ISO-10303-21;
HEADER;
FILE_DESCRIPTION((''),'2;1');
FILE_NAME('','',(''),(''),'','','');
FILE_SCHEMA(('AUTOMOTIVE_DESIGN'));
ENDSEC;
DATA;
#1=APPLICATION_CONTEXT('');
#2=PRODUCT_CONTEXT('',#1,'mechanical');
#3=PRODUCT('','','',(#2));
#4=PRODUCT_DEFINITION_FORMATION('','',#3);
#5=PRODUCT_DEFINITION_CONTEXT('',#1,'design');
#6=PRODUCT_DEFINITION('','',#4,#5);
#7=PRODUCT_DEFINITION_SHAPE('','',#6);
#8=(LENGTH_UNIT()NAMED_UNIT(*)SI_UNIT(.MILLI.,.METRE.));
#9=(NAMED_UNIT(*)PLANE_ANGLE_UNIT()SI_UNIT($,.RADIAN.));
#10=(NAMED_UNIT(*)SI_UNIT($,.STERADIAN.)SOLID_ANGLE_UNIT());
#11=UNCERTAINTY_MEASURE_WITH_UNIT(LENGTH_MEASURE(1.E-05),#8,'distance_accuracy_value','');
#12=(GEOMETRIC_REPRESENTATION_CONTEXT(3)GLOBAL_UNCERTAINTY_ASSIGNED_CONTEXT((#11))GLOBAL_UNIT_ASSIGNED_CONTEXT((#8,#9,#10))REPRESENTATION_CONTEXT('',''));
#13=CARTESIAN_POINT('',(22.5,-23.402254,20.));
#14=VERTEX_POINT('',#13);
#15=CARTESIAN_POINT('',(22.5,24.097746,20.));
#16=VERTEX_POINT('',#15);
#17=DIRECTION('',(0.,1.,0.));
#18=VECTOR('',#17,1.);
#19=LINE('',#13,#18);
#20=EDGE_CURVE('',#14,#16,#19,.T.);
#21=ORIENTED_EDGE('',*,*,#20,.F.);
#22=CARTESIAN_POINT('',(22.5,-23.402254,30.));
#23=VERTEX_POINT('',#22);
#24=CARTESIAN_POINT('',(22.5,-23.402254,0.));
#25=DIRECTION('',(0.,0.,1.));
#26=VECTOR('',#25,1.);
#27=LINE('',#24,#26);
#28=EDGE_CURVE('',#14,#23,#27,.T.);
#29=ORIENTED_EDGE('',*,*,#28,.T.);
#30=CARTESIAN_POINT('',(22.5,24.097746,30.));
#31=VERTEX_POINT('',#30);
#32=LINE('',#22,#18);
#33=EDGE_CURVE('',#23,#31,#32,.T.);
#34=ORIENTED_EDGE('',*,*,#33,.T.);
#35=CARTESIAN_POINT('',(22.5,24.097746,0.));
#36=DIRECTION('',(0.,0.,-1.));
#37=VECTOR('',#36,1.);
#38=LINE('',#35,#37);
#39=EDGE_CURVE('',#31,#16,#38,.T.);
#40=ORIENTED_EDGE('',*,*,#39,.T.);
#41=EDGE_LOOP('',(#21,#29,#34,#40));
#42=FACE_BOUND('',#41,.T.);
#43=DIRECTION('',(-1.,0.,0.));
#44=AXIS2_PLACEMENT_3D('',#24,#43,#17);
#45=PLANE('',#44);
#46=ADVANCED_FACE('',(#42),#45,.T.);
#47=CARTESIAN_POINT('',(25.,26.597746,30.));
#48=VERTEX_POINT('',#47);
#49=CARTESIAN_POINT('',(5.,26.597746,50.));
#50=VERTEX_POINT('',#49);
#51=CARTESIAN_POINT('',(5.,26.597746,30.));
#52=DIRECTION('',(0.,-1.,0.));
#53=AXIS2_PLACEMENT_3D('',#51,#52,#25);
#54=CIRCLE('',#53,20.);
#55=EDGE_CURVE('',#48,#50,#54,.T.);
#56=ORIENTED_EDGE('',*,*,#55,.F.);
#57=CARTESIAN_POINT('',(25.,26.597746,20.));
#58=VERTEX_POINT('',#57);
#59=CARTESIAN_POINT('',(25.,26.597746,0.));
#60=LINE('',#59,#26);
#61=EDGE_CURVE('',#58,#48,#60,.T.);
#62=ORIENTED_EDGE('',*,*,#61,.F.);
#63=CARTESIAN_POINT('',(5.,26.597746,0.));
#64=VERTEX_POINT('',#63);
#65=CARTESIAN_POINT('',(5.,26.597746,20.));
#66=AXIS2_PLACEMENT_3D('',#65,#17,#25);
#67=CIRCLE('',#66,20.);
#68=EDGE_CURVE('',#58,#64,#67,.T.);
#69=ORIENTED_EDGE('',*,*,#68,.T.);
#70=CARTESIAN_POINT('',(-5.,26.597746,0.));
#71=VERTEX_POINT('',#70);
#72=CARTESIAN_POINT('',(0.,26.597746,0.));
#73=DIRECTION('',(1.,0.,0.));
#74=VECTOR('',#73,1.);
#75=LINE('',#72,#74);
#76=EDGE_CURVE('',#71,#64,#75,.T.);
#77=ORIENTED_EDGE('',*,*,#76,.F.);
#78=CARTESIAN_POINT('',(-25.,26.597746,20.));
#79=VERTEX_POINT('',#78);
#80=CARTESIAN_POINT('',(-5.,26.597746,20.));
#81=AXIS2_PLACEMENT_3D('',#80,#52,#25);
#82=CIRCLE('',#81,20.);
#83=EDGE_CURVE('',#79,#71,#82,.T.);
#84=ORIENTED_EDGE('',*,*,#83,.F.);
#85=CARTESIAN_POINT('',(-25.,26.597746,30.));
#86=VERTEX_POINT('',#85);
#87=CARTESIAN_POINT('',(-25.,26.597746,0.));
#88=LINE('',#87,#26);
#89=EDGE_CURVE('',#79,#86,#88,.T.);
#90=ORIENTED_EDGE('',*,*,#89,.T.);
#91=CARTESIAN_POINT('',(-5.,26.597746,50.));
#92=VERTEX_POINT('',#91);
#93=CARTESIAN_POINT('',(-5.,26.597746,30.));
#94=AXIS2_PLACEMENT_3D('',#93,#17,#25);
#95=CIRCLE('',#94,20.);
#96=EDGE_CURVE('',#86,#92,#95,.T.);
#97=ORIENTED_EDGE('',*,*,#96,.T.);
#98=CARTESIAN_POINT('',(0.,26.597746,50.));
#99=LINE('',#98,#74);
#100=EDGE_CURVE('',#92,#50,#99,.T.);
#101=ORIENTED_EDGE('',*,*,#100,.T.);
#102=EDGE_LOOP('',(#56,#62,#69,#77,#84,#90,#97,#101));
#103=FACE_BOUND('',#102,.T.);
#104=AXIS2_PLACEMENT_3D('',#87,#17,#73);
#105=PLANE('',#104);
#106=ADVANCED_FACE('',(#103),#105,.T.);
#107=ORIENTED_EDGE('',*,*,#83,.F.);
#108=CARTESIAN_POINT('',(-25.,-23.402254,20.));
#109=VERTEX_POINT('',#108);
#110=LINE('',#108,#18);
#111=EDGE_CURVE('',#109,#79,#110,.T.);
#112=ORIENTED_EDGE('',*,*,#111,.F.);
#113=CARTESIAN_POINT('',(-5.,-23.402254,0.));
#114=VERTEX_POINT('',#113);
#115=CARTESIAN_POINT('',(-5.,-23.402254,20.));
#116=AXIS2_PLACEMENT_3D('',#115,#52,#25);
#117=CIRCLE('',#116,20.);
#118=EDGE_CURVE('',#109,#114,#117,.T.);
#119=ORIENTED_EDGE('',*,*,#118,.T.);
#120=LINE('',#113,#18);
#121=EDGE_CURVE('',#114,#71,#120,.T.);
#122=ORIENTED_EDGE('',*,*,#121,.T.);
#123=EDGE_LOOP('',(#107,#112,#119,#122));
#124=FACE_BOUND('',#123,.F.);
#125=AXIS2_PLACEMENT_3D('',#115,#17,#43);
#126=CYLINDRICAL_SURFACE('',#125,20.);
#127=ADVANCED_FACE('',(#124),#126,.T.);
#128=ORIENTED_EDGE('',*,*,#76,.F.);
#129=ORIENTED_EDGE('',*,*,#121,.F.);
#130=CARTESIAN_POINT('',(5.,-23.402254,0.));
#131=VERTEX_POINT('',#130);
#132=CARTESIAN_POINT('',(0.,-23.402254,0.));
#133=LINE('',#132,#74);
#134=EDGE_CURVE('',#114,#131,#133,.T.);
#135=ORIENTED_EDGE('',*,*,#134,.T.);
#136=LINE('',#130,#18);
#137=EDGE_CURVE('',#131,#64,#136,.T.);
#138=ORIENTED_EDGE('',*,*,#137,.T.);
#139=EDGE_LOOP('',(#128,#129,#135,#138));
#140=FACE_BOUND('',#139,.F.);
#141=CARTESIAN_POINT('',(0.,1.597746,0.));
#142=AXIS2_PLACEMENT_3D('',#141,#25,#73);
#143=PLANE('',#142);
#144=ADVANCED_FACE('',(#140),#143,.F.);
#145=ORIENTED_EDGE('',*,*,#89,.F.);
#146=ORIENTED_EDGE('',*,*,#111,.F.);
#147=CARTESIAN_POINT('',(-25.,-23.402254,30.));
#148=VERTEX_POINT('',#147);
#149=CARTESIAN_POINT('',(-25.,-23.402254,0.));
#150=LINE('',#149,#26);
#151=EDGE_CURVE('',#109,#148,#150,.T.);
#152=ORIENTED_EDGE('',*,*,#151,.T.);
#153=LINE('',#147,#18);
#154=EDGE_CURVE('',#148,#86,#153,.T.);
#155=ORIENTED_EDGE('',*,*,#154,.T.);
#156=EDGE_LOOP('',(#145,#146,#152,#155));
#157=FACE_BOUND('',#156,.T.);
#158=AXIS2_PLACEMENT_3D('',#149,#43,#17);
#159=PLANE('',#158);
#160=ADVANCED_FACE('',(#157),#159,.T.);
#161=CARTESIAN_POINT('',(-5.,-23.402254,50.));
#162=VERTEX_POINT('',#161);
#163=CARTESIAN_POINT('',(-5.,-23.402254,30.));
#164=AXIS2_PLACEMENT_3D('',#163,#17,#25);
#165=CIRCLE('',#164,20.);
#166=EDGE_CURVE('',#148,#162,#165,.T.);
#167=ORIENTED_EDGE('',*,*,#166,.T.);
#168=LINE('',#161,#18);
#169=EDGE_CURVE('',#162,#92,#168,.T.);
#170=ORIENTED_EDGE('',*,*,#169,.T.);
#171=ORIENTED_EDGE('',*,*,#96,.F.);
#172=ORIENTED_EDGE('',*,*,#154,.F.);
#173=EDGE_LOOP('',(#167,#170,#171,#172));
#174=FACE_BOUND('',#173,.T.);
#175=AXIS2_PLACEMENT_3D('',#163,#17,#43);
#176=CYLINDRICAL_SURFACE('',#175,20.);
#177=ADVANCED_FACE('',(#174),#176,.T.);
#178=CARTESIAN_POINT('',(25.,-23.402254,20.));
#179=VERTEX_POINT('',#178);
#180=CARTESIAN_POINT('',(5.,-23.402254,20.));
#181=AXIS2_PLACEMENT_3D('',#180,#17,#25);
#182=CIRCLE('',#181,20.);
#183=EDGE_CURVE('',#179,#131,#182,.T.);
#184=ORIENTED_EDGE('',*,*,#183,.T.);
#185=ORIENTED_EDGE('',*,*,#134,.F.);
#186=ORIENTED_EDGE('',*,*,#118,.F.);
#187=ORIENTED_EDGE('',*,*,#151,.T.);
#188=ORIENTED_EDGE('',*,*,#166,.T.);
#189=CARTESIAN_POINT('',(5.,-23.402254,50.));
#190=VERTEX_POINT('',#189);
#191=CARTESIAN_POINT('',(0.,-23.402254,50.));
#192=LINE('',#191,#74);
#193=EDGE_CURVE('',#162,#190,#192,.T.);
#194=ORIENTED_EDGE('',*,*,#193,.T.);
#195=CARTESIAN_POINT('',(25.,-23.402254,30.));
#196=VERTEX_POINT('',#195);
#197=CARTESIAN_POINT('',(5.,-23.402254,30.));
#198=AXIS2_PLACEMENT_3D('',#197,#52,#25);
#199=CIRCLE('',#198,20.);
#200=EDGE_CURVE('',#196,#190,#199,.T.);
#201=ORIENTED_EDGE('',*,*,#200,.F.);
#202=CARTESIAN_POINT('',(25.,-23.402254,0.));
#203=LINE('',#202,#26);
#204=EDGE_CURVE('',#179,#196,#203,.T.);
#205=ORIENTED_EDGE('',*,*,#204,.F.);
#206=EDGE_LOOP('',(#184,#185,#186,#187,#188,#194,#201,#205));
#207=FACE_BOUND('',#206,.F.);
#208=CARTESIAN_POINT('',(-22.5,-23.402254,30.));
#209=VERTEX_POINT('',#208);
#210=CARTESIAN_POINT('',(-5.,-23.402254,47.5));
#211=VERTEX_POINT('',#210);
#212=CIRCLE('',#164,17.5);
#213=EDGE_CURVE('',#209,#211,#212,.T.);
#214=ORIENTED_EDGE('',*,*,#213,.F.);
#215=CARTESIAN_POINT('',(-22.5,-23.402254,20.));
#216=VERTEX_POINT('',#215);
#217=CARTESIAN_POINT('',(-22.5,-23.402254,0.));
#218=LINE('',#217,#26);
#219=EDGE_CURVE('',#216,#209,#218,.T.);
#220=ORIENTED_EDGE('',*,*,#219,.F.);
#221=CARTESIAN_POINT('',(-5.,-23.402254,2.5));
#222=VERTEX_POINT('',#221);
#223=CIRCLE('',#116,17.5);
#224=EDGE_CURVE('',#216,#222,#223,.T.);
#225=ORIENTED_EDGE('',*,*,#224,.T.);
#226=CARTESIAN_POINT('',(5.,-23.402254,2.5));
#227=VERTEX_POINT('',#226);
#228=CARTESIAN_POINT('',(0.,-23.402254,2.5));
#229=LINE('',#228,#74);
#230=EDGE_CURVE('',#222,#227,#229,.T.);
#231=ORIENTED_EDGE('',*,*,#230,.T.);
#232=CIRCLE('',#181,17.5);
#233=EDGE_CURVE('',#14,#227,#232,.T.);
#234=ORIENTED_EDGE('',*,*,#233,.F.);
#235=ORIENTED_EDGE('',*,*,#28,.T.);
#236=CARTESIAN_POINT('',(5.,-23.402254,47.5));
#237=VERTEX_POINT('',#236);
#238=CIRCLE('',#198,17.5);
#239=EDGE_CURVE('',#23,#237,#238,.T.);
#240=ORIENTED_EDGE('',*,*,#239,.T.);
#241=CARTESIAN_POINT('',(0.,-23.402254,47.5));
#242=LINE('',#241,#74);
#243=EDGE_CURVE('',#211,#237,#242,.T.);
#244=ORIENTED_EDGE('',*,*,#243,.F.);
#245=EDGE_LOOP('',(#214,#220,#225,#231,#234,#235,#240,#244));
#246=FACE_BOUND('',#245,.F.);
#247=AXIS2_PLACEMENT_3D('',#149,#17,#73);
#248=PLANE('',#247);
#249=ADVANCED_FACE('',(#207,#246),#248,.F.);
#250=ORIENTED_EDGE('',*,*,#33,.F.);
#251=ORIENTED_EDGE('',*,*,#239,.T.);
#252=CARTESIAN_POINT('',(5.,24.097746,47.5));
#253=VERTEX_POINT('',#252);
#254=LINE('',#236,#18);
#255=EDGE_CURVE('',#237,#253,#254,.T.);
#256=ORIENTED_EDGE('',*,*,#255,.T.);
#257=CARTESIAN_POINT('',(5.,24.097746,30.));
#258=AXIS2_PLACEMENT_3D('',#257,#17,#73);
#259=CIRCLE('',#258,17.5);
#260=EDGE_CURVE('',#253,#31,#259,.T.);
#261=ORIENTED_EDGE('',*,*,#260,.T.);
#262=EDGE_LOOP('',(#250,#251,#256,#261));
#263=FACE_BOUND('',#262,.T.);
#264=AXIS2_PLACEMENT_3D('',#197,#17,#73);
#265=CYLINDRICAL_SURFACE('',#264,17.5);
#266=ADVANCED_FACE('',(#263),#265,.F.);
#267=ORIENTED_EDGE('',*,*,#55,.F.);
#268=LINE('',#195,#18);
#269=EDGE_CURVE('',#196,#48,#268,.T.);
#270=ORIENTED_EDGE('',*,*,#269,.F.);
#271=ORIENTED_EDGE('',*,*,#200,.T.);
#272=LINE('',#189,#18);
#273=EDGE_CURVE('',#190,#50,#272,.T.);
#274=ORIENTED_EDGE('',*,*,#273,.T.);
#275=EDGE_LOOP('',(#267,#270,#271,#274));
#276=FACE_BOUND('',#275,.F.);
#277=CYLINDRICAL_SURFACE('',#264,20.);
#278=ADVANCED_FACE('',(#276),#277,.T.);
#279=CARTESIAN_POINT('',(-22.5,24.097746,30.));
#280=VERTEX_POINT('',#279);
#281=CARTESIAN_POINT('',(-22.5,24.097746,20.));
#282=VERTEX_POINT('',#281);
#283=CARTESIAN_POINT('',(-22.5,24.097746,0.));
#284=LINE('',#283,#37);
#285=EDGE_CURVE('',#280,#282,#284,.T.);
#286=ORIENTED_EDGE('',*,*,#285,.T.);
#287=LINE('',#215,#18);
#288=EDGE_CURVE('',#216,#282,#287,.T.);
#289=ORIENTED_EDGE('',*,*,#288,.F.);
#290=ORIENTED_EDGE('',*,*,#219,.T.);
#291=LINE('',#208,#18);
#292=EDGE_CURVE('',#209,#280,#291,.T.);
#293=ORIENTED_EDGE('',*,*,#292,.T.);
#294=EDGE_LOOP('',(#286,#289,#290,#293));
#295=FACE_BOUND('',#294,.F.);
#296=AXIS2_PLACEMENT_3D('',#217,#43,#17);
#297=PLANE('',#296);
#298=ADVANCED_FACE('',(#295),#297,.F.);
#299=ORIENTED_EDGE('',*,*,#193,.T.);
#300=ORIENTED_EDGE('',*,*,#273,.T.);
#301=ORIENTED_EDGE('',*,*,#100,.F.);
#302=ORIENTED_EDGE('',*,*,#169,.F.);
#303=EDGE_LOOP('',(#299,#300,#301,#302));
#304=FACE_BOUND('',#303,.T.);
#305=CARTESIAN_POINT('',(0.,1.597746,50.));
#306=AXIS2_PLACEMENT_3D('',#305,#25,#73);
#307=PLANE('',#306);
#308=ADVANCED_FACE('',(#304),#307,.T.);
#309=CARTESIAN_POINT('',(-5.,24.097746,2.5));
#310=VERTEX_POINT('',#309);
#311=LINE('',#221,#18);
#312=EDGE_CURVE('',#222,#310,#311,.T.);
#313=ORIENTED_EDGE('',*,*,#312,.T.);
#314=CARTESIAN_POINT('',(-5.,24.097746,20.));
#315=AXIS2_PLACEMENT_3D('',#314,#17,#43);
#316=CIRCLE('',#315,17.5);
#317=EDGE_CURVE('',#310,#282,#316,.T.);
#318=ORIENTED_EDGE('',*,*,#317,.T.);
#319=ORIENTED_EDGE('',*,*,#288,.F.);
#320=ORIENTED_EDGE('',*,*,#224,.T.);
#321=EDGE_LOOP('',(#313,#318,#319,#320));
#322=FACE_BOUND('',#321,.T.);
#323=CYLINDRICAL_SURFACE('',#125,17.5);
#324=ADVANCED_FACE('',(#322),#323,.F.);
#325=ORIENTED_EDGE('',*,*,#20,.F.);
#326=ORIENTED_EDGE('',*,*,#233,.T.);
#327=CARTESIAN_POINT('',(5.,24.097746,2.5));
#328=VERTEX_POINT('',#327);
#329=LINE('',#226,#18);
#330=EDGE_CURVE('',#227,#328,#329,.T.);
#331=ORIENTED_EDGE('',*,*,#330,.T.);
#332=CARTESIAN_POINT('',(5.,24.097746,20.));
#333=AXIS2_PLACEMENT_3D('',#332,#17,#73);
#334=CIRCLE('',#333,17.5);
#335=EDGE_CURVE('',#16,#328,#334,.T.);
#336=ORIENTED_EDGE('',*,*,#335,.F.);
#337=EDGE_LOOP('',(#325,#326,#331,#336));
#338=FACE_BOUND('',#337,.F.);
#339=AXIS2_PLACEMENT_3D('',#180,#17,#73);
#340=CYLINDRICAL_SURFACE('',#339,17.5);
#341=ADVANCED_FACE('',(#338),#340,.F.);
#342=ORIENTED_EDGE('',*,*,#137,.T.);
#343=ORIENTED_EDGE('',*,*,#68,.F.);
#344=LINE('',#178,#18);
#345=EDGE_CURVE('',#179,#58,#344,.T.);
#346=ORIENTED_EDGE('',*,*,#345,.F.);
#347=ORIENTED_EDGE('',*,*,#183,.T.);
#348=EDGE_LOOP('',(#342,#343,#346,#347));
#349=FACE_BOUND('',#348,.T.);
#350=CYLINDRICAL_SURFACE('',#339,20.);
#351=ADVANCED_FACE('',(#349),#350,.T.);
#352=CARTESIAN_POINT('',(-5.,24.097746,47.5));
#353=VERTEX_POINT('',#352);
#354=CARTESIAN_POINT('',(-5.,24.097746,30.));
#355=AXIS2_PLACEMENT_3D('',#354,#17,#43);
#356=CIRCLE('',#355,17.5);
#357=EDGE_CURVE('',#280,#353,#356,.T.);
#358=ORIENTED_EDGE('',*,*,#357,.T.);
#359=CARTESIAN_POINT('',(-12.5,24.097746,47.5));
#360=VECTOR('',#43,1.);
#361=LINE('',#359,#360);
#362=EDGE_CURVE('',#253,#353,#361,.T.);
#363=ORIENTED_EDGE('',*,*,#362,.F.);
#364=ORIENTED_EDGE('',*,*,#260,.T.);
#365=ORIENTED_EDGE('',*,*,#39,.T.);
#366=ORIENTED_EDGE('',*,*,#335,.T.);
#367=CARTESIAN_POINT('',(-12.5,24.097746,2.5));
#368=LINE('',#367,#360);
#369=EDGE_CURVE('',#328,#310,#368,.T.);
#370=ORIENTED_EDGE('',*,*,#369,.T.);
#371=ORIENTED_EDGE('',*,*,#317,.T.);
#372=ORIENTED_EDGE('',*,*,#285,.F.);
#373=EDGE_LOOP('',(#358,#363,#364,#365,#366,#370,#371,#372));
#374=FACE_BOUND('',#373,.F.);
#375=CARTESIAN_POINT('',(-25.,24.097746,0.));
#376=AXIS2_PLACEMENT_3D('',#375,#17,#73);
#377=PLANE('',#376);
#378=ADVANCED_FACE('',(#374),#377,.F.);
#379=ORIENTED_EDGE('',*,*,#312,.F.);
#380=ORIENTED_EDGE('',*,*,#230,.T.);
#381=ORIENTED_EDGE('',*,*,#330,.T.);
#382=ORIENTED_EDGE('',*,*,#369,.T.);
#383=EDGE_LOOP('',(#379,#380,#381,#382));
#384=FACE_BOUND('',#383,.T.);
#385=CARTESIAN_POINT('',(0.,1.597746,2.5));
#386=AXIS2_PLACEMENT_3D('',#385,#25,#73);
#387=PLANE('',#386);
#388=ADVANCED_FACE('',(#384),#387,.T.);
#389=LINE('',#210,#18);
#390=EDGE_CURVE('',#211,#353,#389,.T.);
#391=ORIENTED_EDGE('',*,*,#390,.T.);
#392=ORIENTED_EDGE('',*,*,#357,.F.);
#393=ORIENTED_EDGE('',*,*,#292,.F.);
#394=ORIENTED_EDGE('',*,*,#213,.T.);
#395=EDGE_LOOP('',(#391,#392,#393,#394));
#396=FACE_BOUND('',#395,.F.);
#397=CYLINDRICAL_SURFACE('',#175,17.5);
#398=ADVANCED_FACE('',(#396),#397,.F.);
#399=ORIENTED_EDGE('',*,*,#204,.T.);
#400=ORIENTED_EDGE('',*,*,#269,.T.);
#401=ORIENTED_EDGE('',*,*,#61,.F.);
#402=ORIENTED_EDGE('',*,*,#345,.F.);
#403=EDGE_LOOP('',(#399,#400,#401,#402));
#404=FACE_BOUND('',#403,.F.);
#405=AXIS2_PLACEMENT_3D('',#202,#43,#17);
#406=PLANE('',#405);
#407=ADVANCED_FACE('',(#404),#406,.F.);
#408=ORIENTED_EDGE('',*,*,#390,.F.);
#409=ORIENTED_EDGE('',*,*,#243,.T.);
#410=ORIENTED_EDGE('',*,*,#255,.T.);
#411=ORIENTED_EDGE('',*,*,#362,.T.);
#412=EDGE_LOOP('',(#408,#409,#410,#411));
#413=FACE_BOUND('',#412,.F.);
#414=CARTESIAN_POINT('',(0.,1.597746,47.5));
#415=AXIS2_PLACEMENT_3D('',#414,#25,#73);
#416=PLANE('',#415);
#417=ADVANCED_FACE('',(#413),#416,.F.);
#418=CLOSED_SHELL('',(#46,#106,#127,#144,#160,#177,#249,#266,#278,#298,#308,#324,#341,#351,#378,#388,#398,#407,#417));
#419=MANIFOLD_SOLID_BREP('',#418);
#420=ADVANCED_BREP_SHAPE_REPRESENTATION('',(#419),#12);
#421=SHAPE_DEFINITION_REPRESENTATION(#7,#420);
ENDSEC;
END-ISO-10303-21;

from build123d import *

# Parameters (mm, degrees)
F0_W     = 50
F0_H     = 50
F1_DEPTH = 50
F2_R     = 20
F3_T     = -2.5


with BuildPart() as f1:
    # F0 (on Top) → F1 (new body)
    with BuildSketch(Plane.XY):
        with Locations((0, 1.597746)):
            Rectangle(F0_W, F0_H)
    extrude(amount=F1_DEPTH)

    # F2
    f2_edges = [f1.edges().sort_by_distance(p)[0] for p in [
        (25, 1.597746, 0),
        (-25, 1.597746, 0),
        (25, 1.597746, 50),
        (-25, 1.597746, 50),
    ]]
    fillet(f2_edges, radius=F2_R)

    # F3
    f3_openings = [f1.faces().sort_by_distance(p)[0] for p in [
        (0, -23.402254, 25),
    ]]
    offset(amount=F3_T, openings=f3_openings)


solid = f1.part
